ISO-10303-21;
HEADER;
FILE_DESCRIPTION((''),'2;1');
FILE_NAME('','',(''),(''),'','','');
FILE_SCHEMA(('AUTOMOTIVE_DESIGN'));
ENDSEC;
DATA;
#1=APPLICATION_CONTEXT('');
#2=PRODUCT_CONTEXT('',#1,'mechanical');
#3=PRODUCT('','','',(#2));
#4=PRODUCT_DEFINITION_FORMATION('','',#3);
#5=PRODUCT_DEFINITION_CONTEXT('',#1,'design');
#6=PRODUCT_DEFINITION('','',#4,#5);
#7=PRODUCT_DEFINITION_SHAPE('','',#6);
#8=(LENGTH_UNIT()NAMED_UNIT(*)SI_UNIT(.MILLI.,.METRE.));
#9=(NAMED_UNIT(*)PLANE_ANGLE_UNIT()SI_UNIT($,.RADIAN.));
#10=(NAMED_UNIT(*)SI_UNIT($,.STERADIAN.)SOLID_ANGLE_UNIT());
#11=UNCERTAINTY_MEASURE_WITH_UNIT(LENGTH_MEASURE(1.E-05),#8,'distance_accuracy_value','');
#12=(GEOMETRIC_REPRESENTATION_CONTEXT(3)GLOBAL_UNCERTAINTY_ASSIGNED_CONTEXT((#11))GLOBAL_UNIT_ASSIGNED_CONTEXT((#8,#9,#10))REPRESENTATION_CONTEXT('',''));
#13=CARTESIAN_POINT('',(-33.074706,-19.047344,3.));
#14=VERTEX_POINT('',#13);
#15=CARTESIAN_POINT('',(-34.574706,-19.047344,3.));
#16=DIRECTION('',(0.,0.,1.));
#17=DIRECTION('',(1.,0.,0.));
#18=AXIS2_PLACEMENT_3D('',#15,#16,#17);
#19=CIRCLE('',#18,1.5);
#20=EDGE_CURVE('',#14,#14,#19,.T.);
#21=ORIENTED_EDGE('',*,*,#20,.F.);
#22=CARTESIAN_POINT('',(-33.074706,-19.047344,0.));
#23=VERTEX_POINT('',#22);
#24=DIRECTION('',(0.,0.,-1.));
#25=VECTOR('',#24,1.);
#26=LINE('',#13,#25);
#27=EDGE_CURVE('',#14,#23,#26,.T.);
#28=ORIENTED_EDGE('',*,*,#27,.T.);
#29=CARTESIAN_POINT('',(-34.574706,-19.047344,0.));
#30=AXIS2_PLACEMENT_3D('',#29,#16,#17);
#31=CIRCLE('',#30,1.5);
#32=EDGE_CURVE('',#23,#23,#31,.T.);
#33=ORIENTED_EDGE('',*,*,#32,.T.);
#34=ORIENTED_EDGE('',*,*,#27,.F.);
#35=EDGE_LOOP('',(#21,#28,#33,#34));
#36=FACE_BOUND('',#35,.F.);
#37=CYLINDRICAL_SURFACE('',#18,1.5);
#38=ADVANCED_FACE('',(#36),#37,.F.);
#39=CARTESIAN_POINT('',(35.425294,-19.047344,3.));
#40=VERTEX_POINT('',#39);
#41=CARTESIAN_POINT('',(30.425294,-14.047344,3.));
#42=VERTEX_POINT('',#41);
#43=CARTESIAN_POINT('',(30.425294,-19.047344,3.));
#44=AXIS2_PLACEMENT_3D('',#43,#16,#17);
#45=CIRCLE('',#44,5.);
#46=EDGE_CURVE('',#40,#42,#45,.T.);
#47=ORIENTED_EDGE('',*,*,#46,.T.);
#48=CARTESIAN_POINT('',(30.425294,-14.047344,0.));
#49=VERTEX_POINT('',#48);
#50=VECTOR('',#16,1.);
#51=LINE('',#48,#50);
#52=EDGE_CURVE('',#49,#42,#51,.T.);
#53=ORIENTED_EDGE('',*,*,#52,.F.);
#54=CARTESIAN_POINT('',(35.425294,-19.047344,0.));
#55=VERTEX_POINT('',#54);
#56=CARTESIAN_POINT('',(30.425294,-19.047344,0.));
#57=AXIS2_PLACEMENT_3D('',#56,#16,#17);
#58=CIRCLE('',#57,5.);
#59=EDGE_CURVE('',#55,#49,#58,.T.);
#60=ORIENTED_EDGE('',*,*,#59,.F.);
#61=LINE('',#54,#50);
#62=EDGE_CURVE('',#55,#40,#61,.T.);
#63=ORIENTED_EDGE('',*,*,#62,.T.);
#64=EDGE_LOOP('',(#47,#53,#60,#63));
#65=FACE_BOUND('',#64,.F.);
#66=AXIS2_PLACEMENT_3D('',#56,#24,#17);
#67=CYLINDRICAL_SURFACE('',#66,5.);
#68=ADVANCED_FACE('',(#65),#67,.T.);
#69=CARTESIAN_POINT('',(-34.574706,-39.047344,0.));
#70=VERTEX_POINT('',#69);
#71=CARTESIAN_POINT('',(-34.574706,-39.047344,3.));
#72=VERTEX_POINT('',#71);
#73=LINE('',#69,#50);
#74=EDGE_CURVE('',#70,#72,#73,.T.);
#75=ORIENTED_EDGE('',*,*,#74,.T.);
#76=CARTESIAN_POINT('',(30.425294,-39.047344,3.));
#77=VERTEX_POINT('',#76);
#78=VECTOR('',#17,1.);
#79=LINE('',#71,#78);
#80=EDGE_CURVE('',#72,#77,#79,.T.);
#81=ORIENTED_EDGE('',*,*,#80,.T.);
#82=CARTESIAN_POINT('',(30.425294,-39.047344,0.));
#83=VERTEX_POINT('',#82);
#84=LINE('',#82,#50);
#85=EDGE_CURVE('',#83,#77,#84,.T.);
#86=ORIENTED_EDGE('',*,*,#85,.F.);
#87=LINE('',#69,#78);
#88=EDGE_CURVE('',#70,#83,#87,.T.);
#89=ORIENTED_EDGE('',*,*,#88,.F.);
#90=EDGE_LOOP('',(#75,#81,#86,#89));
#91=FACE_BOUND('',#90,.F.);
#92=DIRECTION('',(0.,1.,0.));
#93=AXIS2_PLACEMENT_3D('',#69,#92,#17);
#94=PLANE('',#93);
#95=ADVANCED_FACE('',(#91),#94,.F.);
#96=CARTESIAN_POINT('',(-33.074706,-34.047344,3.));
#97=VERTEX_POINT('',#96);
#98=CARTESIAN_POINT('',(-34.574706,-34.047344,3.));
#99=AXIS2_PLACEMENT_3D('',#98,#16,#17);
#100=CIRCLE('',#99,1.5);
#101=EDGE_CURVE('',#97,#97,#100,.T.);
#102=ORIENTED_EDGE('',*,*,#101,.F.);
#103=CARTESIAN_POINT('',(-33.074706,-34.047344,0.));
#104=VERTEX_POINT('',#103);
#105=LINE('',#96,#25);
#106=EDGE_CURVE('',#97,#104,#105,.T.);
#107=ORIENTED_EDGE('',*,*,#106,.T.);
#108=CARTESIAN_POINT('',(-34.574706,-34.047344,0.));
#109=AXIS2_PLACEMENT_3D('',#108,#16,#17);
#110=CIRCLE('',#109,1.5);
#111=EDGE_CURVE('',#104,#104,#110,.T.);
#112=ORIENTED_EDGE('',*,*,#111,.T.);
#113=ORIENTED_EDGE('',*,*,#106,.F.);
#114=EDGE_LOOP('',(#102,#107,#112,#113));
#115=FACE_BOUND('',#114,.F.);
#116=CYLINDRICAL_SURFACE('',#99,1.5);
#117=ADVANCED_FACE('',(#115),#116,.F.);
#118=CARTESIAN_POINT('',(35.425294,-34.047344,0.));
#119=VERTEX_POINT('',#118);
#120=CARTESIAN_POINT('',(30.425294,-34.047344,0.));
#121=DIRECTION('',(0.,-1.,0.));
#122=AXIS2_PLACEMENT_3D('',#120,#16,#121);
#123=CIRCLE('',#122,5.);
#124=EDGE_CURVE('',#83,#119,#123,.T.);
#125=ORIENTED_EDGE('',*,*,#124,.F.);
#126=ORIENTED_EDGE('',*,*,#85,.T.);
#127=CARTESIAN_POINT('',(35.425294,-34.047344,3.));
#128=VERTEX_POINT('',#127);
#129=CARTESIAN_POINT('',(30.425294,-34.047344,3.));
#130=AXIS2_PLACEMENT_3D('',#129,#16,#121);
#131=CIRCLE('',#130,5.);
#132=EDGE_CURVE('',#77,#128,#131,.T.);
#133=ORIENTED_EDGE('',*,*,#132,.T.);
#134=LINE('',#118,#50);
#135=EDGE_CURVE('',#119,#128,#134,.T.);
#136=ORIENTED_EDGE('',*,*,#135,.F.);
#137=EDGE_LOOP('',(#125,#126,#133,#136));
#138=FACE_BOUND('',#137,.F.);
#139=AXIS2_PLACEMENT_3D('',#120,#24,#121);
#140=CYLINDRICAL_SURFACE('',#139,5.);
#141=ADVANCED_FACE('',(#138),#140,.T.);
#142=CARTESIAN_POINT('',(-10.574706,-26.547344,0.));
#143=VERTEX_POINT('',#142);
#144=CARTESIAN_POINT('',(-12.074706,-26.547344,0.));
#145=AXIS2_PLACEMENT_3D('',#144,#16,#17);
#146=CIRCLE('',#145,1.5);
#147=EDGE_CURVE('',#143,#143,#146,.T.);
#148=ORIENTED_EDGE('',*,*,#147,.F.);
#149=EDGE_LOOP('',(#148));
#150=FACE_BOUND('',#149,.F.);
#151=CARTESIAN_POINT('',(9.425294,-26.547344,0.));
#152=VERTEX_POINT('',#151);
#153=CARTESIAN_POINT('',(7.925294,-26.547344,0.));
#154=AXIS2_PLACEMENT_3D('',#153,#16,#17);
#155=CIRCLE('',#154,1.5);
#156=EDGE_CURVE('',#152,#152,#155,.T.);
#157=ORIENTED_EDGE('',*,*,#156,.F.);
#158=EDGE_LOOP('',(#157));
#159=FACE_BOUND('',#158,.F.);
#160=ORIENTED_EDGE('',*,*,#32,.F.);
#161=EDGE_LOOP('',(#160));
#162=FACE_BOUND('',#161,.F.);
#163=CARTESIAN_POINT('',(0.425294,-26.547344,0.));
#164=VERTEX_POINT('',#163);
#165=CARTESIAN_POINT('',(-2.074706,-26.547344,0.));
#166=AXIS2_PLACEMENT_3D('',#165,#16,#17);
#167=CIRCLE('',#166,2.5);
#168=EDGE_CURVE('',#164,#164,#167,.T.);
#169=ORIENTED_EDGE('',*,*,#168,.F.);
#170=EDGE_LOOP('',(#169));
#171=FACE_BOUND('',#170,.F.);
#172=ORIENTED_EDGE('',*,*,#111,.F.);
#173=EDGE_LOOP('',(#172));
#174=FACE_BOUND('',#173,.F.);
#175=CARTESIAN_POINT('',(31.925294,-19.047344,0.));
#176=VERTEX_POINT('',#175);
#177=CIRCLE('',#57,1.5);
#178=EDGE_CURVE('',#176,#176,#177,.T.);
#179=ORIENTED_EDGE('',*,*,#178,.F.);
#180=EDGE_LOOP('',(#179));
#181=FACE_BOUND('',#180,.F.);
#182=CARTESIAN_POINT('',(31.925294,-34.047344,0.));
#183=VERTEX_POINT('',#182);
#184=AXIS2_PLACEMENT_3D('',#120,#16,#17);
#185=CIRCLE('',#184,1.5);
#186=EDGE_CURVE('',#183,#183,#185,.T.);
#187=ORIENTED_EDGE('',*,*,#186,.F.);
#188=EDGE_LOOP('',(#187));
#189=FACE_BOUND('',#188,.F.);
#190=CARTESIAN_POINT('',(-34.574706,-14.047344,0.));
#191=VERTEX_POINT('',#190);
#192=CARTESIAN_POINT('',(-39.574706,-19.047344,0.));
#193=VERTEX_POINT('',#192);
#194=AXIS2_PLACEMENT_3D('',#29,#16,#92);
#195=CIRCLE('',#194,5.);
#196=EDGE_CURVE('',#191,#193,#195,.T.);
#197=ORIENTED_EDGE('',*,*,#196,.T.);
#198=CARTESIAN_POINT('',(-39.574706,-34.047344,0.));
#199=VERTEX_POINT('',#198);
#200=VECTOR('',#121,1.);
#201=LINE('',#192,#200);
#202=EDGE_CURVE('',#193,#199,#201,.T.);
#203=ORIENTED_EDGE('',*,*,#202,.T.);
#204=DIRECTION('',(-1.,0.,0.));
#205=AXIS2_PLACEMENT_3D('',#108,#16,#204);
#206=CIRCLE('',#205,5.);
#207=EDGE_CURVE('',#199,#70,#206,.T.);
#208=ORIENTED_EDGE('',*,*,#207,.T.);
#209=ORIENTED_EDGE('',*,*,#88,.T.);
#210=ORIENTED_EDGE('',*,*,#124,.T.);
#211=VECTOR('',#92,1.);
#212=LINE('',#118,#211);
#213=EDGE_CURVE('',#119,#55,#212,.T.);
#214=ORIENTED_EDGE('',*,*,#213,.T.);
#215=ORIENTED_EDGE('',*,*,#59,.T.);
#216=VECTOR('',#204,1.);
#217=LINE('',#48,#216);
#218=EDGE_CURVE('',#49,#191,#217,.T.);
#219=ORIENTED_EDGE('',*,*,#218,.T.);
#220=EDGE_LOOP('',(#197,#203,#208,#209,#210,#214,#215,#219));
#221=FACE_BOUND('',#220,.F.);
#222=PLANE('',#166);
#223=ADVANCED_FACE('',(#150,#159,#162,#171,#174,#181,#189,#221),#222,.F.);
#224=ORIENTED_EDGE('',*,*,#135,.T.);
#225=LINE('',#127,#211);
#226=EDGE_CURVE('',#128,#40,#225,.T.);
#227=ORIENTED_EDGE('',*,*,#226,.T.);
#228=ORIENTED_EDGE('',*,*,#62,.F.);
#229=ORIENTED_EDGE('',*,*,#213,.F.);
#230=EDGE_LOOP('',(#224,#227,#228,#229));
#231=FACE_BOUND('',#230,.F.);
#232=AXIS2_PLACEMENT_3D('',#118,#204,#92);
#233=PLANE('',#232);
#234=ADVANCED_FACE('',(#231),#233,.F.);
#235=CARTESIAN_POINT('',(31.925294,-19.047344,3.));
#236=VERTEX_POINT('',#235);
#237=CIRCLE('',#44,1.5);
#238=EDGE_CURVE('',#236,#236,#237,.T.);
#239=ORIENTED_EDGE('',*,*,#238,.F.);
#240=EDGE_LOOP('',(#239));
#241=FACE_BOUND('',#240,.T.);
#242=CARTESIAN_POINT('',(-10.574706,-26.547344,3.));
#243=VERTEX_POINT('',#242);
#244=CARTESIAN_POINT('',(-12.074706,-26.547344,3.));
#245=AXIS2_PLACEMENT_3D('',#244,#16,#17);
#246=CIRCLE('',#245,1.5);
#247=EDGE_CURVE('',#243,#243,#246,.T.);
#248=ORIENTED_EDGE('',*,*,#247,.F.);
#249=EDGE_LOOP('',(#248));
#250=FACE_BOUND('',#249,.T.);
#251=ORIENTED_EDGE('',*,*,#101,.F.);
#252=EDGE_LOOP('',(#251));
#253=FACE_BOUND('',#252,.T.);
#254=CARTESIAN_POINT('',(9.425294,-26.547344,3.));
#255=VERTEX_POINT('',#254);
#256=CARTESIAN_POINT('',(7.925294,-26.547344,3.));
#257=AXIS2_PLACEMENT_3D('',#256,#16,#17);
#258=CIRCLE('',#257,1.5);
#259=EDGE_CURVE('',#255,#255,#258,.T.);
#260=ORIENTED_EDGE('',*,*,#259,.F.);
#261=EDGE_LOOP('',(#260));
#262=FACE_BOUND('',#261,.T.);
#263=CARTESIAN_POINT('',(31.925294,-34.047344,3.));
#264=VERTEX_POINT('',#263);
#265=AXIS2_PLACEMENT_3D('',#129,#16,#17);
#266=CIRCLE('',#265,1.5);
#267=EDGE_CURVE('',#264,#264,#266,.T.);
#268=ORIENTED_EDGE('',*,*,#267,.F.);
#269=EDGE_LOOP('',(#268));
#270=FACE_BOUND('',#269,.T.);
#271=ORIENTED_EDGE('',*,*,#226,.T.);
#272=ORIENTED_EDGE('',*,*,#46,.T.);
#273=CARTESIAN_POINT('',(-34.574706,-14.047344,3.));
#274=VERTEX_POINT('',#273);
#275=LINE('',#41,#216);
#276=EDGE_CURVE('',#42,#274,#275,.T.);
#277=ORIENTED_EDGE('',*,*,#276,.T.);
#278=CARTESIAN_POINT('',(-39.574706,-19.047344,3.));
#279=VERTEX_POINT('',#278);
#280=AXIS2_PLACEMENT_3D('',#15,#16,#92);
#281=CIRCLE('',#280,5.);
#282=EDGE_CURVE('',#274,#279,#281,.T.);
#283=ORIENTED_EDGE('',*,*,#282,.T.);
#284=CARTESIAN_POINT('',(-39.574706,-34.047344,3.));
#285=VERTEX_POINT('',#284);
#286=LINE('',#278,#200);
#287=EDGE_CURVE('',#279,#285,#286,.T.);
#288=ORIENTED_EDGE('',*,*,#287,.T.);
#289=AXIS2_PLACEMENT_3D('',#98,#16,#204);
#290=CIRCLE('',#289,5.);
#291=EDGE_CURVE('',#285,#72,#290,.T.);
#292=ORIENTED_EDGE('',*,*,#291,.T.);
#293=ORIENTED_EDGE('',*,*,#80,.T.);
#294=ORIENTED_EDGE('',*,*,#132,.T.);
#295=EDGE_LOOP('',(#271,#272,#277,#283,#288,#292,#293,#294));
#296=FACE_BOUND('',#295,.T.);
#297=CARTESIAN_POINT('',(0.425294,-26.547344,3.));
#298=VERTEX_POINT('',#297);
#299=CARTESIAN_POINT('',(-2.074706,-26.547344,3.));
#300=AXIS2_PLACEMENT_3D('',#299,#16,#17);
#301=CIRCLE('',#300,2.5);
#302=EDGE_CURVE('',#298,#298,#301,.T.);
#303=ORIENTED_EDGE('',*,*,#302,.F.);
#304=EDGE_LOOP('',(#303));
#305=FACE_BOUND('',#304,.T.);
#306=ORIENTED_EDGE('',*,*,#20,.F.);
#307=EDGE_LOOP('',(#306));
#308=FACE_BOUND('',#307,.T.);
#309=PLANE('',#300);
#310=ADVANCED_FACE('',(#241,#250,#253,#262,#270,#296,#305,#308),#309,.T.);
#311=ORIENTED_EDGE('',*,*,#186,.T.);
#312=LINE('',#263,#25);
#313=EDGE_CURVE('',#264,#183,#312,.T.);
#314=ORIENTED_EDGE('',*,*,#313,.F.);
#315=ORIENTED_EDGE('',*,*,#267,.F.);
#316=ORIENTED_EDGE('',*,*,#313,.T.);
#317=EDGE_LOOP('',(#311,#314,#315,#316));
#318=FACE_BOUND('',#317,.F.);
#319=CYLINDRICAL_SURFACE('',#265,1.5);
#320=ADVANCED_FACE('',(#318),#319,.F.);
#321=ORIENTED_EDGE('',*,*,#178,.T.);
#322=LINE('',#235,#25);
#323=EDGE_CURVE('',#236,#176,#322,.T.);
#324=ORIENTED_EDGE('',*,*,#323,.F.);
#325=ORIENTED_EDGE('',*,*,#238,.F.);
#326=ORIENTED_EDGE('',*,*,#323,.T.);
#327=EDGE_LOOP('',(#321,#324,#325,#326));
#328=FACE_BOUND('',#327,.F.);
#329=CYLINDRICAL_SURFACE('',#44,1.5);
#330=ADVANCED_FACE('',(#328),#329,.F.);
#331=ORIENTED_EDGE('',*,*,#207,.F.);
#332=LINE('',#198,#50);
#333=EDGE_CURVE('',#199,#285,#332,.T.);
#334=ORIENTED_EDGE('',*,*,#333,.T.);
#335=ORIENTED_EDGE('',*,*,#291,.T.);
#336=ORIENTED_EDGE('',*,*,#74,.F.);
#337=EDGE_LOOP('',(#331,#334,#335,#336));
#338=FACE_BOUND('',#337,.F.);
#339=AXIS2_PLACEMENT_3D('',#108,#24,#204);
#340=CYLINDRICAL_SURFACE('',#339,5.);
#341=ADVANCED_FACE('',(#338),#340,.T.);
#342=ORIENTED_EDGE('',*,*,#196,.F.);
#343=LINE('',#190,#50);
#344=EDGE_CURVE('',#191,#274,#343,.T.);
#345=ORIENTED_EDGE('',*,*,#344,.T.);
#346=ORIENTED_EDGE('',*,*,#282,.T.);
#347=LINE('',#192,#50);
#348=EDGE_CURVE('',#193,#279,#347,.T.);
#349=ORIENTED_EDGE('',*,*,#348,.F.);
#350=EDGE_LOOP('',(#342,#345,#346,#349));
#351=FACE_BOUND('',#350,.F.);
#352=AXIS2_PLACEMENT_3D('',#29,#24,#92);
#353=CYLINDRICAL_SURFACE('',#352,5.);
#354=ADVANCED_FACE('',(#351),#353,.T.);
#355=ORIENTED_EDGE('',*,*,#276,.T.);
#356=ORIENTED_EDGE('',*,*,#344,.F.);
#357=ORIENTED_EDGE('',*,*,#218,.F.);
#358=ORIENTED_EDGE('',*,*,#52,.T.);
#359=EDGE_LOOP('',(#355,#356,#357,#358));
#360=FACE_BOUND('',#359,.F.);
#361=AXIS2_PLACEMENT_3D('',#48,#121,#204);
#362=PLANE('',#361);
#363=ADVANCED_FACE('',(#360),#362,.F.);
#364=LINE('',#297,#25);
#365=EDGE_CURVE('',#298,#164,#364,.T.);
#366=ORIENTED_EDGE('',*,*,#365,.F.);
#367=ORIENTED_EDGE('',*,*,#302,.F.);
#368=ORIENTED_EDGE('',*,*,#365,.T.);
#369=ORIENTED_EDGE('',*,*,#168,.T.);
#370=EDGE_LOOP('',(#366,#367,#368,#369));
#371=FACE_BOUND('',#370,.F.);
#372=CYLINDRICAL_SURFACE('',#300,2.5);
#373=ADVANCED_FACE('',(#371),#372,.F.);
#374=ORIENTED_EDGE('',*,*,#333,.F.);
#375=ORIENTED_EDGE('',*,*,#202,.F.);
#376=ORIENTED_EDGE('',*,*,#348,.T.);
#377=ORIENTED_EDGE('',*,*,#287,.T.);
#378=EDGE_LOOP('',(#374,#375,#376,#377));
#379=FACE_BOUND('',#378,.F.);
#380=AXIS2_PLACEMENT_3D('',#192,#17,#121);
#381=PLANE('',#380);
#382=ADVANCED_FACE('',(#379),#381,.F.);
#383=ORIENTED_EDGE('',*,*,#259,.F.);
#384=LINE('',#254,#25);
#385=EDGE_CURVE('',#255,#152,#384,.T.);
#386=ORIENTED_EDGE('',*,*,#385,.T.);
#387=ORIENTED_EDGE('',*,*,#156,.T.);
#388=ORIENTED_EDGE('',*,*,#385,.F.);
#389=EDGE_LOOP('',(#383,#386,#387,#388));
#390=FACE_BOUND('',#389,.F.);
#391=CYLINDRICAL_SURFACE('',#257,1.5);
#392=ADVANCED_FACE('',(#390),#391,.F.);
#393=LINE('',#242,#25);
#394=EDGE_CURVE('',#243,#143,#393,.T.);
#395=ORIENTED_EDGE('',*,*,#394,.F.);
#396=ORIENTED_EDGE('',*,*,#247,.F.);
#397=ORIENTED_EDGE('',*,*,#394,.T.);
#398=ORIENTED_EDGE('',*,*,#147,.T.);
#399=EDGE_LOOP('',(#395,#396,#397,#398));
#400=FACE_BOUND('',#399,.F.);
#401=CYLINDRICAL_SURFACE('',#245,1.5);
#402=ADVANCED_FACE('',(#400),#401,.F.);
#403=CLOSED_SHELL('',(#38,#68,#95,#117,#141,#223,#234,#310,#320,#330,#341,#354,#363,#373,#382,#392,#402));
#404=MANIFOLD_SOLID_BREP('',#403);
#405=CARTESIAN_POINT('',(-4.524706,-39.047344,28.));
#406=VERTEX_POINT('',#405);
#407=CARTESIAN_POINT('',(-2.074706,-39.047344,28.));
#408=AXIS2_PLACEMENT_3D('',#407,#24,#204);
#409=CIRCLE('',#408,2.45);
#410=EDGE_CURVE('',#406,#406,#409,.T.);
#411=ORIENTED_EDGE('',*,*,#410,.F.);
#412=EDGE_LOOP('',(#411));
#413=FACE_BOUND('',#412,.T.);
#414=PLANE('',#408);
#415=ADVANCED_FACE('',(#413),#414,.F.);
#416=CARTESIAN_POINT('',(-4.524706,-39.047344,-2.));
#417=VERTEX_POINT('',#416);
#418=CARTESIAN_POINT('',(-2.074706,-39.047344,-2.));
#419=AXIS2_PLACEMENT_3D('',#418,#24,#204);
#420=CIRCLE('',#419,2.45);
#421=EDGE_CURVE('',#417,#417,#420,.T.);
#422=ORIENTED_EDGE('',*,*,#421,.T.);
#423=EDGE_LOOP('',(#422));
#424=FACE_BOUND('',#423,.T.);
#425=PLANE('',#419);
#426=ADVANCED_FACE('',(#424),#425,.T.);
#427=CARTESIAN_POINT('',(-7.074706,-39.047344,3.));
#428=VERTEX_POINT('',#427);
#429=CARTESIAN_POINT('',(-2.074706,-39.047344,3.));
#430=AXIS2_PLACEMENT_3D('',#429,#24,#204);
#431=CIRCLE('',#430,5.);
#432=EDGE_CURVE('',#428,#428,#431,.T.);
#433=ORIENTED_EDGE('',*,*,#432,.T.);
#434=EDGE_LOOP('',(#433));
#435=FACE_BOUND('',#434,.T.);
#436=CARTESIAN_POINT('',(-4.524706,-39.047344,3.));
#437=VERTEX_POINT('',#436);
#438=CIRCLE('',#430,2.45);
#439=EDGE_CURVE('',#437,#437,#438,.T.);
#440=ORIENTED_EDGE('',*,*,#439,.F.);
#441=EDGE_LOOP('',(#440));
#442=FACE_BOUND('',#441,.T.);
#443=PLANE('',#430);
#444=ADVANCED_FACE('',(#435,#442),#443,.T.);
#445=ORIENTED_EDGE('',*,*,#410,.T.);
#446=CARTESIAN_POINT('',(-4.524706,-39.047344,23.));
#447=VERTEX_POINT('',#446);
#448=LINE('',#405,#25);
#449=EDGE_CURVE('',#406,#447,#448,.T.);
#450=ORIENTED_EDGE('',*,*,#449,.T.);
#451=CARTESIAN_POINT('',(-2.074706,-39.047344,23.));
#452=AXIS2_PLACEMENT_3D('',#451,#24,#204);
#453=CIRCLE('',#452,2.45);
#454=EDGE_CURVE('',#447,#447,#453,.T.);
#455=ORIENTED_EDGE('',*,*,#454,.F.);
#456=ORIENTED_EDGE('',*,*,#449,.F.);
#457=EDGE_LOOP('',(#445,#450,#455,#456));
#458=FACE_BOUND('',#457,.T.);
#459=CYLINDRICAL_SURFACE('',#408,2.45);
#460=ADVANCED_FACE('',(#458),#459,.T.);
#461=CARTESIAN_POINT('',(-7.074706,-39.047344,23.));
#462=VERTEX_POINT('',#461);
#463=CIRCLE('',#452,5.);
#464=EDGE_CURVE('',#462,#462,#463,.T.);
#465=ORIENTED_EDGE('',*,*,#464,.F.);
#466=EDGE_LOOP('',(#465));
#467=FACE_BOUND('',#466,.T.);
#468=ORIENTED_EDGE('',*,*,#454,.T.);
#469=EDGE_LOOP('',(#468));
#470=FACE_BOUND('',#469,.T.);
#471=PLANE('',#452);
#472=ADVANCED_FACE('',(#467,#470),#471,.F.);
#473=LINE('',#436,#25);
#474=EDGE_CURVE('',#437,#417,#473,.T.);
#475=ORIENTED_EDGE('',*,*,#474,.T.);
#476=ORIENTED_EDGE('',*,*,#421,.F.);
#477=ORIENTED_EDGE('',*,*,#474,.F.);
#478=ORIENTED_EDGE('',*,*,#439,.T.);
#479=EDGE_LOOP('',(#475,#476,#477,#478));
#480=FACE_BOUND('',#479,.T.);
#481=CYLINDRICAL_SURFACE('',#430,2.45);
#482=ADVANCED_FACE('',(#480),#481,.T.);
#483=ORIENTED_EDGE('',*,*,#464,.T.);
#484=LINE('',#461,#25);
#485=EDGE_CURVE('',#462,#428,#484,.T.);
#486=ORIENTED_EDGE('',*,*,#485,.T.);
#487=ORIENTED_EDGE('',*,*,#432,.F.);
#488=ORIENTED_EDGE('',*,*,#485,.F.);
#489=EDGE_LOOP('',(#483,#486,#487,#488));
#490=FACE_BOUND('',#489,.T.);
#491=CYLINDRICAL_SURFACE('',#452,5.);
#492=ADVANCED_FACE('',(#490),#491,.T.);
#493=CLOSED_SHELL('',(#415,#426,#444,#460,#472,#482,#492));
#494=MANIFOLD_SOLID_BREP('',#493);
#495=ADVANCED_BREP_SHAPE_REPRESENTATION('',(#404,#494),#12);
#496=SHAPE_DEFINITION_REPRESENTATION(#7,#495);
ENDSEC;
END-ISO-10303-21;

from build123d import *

# Parameters (mm, degrees)
F1_DEPTH = 3
F2_R     = 1.5
F2_R_2   = 2.5
F3_DEPTH = 3
F4_W     = 2.45
F4_H     = 2
F4_H_2   = 3


with BuildPart() as f1:
    # F0 (on Top) → F1 (new body)
    with BuildSketch(Plane.XY):
        with BuildLine():
            ThreePointArc((-39.5747060731, -34.0473439358), (-38.1102399791, -37.5828778418), (-34.5747060731, -39.0473439358))
            Line((-34.5747060731, -39.0473439358), (30.4252939269, -39.0473439358))
            ThreePointArc((30.4252939269, -39.0473439358), (33.9608278328, -37.5828778418), (35.4252939269, -34.0473439358))
            Line((35.4252939269, -34.0473439358), (35.4252939269, -19.0473439358))
            ThreePointArc((35.4252939269, -19.0473439358), (33.9608278328, -15.5118100299), (30.4252939269, -14.0473439358))
            Line((30.4252939269, -14.0473439358), (-34.5747060731, -14.0473439358))
            ThreePointArc((-34.5747060731, -14.0473439358), (-38.1102399791, -15.5118100299), (-39.5747060731, -19.0473439358))
            Line((-39.5747060731, -19.0473439358), (-39.5747060731, -34.0473439358))
        make_face()
    extrude(amount=F1_DEPTH)

    # F2 (on face) → F3 (cut, through all)
    with BuildSketch(Plane.XY.offset(3)):
        with Locations((-34.5747060731, -19.0473439358)):
            Circle(F2_R)
        with Locations((-34.5747060731, -34.0473439358)):
            Circle(F2_R)
        with Locations((30.4252939269, -19.0473439358)):
            Circle(F2_R)
        with Locations((30.4252939269, -34.0473439358)):
            Circle(F2_R)
        with Locations((-2.0747060731, -26.5473439358)):
            Circle(F2_R_2)
        with Locations((-12.0747060731, -26.5473439358)):
            Circle(F2_R)
        with Locations((7.9252939269, -26.5473439358)):
            Circle(F2_R)
    extrude(amount=-F3_DEPTH, mode=Mode.SUBTRACT)


with BuildPart() as f5:
    # F4 (on face) → F5 (revolve)
    with BuildSketch(Plane.XZ.offset(39.0473439358)):
        Polygon((-4.5247060731, 3), (-2.0747060731, 3), (-2.0747060731, 28), (-4.5247060731, 28), (-4.5247060731, 23), (-7.0747060731, 23), (-7.0747060731, 3), align=None)
        with Locations((-3.2997060731, -1)):
            Rectangle(F4_W, F4_H)
        with Locations((-3.2997060731, 1.5)):
            Rectangle(F4_W, F4_H_2)
    revolve(axis=Axis((-2.0747060731, -39.0473439358, 15.5), (0, 0, -1)))


solid = Compound([f1.part, f5.part])
